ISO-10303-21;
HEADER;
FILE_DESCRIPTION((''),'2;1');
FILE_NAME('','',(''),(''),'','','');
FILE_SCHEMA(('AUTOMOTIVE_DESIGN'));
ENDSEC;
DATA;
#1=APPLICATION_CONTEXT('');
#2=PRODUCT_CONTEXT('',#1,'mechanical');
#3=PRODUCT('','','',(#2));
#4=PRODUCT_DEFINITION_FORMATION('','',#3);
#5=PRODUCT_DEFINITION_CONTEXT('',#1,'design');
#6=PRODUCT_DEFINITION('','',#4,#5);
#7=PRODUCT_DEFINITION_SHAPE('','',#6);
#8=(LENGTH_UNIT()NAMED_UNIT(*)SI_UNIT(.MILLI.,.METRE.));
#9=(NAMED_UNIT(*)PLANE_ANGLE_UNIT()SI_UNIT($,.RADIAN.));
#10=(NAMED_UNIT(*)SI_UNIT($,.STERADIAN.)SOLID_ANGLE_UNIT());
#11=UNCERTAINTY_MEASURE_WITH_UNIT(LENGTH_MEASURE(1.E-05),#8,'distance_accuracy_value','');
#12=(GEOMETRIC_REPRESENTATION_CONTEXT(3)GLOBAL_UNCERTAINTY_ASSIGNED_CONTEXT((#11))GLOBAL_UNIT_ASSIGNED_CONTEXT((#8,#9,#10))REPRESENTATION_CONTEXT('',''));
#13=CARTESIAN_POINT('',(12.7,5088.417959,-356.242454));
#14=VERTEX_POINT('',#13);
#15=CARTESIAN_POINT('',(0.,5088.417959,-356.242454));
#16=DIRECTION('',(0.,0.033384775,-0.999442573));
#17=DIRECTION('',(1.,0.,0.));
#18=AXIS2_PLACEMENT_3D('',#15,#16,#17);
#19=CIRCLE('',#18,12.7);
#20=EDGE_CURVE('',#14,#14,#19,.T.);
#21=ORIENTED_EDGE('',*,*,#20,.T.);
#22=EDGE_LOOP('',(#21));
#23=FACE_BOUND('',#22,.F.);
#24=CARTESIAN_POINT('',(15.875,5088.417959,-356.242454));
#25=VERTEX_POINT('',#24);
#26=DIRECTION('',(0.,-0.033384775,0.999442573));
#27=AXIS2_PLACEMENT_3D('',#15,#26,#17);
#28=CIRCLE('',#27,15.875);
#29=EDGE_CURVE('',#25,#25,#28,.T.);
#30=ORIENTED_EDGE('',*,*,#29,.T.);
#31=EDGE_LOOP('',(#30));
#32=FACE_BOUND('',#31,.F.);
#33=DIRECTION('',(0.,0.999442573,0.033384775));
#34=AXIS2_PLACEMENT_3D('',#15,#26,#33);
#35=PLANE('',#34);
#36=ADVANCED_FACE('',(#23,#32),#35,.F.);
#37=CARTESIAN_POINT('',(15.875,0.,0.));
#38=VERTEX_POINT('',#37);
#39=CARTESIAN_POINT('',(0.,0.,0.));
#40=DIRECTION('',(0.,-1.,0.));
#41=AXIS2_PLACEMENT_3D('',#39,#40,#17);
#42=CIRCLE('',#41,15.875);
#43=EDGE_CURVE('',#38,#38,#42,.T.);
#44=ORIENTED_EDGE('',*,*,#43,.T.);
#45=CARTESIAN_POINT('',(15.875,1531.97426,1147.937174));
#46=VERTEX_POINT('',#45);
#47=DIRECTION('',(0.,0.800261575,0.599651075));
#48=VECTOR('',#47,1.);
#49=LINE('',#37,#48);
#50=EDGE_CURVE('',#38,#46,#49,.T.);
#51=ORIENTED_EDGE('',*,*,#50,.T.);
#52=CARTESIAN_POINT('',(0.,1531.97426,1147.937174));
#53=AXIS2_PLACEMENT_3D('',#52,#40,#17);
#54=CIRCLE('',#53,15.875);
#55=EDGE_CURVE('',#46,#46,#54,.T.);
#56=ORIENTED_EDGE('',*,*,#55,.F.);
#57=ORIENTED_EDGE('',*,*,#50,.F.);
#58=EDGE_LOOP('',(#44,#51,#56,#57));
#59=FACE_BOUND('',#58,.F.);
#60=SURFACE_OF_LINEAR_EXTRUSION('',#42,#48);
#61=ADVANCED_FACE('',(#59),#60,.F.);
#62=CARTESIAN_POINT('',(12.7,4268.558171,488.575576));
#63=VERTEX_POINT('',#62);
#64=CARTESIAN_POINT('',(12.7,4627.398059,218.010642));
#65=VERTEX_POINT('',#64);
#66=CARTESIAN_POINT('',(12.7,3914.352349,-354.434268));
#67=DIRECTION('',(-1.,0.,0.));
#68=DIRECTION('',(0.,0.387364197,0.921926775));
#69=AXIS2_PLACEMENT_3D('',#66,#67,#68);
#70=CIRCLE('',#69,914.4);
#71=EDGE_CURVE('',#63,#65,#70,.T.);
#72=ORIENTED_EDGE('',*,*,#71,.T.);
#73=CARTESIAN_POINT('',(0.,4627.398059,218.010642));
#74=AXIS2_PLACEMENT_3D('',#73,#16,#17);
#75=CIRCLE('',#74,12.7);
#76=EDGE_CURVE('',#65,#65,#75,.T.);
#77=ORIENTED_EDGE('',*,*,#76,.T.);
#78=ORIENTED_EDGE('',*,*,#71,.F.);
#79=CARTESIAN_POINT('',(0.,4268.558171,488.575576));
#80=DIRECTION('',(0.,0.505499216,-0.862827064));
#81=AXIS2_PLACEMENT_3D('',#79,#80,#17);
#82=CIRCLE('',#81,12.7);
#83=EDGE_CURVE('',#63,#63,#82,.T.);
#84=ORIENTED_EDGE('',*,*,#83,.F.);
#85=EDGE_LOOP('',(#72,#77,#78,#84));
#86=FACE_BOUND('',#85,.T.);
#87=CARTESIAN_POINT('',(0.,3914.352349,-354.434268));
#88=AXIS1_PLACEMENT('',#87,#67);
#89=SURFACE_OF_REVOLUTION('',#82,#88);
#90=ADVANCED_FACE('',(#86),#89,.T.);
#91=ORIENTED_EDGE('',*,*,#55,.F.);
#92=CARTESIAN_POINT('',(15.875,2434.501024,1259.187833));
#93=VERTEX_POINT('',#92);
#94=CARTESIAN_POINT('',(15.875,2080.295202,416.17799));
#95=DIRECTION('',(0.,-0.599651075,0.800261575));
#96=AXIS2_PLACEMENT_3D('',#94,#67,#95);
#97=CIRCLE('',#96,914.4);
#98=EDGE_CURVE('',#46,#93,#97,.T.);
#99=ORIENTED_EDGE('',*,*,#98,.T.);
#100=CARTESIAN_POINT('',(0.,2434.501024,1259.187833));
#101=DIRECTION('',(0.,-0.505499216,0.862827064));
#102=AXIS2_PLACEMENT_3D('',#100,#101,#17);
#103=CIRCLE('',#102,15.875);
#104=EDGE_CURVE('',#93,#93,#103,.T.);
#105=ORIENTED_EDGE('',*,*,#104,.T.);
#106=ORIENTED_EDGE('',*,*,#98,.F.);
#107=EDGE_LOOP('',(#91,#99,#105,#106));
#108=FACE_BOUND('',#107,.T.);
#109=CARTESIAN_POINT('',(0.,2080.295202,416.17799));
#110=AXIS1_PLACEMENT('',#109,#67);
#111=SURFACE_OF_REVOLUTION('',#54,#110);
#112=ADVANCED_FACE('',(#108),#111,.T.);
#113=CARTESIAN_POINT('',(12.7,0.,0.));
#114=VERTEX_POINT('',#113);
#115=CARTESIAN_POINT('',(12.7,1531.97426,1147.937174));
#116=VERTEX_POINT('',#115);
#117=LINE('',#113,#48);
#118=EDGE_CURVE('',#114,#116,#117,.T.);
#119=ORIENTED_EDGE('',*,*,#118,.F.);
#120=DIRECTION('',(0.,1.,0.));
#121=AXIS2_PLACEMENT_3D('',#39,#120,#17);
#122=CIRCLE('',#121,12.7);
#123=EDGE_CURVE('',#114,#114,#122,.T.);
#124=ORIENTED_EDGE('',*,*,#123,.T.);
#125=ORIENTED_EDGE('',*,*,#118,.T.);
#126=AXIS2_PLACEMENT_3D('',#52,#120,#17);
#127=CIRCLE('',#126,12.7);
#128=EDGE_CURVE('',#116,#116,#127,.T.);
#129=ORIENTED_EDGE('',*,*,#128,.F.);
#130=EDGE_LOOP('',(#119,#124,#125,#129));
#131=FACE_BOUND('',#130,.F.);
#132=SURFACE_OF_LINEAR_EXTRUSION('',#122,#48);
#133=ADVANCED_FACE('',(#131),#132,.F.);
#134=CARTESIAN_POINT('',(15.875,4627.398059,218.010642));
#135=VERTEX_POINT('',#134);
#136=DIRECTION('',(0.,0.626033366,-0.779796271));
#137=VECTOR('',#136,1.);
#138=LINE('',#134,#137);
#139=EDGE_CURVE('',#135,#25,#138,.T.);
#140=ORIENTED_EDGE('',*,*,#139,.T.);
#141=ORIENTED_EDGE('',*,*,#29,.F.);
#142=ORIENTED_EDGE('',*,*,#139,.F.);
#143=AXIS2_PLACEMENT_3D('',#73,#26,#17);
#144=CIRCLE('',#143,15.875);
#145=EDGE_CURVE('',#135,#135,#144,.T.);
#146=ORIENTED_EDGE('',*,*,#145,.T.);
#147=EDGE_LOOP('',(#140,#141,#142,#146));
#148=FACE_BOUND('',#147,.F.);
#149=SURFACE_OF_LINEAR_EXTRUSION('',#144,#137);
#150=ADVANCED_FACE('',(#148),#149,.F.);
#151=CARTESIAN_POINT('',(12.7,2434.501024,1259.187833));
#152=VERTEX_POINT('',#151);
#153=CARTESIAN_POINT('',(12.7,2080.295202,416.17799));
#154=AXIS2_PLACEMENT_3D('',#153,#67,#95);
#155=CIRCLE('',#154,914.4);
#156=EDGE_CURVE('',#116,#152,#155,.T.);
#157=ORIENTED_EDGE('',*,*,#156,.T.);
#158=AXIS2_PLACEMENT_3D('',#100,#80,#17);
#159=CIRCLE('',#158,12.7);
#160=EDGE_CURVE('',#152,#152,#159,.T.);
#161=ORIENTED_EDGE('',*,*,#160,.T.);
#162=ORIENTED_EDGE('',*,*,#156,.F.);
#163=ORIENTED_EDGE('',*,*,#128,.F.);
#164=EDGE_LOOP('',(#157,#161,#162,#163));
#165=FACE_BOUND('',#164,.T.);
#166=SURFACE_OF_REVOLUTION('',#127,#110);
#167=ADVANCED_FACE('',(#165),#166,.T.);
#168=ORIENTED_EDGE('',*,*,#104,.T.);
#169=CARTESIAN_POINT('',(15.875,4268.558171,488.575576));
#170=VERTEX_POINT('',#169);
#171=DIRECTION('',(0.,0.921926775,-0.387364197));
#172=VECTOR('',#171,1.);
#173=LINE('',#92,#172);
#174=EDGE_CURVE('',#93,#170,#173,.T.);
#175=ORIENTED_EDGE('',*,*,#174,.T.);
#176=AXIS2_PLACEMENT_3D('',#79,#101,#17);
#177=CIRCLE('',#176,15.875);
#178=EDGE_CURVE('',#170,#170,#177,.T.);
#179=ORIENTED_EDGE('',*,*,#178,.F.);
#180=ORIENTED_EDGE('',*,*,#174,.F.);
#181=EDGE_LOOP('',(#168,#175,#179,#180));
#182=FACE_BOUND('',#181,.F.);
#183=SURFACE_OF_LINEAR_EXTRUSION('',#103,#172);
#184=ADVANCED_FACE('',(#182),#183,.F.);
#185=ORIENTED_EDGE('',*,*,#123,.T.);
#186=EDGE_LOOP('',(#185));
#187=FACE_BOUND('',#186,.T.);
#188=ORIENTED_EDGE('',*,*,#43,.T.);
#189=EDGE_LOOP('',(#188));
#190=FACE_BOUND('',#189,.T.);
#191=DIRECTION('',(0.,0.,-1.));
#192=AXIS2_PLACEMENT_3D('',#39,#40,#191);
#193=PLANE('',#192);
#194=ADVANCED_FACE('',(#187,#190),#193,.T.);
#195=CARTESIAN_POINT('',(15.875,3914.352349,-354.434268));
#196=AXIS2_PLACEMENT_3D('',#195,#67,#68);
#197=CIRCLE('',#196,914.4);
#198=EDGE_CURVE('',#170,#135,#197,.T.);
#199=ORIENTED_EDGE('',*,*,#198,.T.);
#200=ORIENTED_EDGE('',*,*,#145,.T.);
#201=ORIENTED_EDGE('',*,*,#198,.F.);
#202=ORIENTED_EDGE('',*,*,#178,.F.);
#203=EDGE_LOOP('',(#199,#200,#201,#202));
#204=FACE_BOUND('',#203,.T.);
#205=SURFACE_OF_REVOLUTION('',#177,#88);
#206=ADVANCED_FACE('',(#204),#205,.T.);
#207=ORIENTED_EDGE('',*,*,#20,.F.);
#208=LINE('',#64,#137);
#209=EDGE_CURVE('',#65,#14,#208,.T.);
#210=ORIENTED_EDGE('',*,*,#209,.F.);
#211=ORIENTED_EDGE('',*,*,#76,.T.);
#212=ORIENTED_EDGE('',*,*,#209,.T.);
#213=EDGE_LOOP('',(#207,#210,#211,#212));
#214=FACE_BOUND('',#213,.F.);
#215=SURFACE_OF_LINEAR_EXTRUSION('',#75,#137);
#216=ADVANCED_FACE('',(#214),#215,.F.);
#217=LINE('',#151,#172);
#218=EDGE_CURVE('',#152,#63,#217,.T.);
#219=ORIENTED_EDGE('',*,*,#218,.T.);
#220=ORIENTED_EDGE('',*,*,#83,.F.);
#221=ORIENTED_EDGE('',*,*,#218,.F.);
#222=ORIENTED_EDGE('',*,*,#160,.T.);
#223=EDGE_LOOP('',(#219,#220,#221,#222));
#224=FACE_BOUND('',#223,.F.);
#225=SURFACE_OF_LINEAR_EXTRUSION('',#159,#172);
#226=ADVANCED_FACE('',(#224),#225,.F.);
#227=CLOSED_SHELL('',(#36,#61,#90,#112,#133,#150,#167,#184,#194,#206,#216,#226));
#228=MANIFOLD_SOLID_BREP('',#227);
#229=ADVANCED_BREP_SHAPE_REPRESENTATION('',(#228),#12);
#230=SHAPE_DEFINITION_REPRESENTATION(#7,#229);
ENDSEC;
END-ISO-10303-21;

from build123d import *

# Parameters (mm, degrees)
F0_R   = 15.875
F0_R_2 = 12.7


with BuildPart() as f2:
    # F2: sweep along a path in F1
    with BuildLine(Plane.YZ) as f2_path:
        Line((0, 0), (1531.9742596197, 1147.9371744023))
        ThreePointArc((1531.9742596197, 1147.9371744023), (1968.4276586335, 1323.7092638038), (2434.5010240472, 1259.1878334472))
        Line((2434.5010240472, 1259.1878334472), (4268.5581705624, 488.575575784))
        ThreePointArc((4268.5581705624, 488.575575784), (4464.8592098383, 375.6818575322), (4627.3980592597, 218.010642435))
        Line((4627.3980592597, 218.010642435), (5088.4179589285, -356.2424536127))
    # F0 (on Front) → F2 (sweep)
    with BuildSketch(Plane.XZ):
        Circle(F0_R)
        Circle(F0_R_2, mode=Mode.SUBTRACT)
    sweep(path=f2_path.line)


solid = f2.part
